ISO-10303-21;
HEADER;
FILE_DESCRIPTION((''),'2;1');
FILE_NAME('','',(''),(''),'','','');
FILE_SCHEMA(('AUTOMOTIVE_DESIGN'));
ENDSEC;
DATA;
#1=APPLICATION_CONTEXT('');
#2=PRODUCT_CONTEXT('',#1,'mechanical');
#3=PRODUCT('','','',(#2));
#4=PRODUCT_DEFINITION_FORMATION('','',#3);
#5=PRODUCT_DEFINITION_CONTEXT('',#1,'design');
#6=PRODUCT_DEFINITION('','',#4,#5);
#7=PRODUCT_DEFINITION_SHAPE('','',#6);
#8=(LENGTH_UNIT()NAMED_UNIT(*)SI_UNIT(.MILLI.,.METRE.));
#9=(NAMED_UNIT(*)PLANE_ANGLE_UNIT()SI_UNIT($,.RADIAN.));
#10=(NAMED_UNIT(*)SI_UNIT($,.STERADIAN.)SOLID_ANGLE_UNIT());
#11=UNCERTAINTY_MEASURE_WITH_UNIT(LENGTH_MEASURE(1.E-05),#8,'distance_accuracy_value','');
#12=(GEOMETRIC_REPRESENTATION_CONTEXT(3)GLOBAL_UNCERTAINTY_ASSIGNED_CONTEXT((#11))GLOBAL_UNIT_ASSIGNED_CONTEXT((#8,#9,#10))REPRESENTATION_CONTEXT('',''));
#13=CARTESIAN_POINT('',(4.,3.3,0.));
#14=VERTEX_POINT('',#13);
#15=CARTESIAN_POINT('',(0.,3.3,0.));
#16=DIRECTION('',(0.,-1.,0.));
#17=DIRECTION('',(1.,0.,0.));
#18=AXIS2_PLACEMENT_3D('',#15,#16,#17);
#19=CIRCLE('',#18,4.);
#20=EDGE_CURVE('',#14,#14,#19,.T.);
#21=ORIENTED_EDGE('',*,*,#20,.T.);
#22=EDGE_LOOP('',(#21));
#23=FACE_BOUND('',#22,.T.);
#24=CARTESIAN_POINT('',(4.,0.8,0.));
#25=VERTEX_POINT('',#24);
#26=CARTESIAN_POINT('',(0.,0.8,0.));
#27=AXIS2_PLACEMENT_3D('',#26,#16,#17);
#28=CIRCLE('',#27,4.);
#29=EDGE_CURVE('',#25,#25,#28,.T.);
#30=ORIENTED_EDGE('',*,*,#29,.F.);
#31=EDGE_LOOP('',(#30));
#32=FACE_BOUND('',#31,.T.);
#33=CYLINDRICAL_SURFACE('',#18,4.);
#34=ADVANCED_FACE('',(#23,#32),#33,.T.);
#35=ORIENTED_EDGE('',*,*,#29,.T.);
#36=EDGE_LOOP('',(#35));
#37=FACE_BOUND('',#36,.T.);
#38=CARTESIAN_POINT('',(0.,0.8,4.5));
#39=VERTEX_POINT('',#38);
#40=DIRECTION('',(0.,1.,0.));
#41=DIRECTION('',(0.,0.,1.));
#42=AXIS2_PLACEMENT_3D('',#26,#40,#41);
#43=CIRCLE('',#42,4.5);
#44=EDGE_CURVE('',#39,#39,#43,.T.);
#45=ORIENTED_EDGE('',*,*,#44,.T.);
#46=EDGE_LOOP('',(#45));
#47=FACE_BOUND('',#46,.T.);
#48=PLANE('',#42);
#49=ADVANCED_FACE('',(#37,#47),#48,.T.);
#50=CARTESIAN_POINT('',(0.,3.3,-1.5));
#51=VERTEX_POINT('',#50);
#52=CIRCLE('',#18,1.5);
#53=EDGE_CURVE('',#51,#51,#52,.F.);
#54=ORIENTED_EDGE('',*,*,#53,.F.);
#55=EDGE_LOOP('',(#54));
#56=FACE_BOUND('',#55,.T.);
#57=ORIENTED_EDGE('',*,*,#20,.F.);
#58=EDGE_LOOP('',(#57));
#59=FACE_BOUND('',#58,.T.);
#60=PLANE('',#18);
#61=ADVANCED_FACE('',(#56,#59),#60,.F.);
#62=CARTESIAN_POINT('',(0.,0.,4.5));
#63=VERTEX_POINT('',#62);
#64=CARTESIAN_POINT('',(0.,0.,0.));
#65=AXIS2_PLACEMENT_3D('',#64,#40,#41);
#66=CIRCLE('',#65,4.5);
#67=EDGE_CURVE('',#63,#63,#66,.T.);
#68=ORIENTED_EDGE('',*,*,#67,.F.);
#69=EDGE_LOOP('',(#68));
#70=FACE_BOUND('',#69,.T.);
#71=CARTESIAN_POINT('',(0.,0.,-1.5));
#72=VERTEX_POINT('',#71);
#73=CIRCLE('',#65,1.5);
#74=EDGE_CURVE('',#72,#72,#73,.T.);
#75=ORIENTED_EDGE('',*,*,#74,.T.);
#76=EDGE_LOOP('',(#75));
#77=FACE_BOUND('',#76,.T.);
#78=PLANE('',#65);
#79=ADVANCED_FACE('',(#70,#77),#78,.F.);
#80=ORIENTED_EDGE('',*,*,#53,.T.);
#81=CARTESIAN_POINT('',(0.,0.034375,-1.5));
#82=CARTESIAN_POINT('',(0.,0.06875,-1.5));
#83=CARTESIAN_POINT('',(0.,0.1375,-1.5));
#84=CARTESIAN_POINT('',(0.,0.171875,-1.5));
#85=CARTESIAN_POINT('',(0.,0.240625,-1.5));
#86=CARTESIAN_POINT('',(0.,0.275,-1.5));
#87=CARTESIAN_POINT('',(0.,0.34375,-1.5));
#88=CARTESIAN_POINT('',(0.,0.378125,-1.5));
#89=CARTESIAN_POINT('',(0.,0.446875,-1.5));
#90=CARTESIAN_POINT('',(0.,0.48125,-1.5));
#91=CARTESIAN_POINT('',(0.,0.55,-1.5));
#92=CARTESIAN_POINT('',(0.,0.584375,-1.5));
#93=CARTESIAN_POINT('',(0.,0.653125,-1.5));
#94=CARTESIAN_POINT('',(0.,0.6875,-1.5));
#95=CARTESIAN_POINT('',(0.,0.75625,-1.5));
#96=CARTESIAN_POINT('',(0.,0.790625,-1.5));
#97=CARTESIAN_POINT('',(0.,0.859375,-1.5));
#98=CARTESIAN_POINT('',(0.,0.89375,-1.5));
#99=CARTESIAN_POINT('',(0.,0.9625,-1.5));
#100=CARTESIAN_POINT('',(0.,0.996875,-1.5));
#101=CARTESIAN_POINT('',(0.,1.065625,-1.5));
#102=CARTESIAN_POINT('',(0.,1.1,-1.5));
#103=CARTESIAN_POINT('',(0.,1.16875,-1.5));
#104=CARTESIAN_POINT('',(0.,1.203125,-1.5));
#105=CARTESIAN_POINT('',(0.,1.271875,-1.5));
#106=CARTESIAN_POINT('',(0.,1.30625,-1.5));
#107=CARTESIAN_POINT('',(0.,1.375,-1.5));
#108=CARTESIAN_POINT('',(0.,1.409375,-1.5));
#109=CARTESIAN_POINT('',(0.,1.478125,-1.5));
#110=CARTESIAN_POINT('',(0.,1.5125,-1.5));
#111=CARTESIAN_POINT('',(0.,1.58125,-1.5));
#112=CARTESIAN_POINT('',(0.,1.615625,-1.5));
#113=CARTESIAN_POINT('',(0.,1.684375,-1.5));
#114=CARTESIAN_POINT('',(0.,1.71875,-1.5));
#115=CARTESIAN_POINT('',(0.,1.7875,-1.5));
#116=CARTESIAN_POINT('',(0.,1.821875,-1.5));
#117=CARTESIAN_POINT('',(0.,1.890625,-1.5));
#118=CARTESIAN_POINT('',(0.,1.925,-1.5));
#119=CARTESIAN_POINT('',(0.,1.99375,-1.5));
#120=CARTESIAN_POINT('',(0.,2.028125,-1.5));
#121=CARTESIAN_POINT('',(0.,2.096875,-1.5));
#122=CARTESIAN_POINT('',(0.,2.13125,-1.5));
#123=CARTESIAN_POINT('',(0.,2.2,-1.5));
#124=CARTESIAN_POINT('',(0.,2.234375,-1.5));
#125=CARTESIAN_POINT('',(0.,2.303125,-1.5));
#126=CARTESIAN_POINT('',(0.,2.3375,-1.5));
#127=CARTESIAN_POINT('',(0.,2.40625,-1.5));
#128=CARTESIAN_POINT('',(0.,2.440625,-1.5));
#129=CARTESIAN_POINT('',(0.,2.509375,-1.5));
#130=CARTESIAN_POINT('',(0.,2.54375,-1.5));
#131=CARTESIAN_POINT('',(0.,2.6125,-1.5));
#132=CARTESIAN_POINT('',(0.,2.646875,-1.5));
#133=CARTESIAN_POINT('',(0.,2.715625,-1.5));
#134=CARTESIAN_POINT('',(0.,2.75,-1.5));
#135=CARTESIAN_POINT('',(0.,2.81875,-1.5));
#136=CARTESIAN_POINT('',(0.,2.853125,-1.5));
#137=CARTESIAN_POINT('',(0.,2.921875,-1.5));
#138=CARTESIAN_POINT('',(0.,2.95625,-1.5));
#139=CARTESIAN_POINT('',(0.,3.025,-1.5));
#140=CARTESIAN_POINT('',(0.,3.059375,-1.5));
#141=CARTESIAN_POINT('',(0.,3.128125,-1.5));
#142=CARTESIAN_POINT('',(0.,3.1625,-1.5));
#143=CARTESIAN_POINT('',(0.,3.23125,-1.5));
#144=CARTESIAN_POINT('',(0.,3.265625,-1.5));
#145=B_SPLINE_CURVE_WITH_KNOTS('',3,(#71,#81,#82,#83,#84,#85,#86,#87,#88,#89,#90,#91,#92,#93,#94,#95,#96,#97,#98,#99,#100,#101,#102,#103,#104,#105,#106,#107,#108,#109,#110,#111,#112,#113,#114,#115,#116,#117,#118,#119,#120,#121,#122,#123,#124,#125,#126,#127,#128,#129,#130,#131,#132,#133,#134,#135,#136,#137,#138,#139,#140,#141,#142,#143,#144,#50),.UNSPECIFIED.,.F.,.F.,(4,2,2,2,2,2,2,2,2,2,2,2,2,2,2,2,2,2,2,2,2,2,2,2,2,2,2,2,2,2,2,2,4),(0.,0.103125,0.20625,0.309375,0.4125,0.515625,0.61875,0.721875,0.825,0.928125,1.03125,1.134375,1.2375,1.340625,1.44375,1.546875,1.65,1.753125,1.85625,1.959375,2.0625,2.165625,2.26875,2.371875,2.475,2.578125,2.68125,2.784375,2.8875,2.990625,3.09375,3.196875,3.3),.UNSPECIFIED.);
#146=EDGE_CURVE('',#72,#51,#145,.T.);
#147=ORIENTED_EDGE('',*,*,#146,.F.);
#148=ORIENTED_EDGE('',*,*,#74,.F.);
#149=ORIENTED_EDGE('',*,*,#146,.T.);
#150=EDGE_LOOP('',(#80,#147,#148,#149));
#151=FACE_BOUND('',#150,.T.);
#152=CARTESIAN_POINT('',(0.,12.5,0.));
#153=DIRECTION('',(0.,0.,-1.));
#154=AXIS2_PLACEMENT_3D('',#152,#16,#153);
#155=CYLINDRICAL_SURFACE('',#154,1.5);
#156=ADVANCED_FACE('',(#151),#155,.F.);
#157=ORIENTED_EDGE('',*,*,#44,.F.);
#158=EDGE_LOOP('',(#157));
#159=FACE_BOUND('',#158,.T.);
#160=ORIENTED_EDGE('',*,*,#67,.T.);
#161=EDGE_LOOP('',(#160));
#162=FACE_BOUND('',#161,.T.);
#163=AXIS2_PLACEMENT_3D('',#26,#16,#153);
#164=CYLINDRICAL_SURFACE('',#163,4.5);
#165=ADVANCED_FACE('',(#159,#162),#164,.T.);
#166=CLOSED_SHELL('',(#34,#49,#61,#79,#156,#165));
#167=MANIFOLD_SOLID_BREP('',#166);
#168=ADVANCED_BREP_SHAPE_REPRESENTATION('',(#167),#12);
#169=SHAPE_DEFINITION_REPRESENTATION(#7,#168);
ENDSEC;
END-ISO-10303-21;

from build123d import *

# Parameters (mm, degrees)
SKETCH1_R           = 4.5
BOSS_EXTRUDE1_DEPTH = 0.8
SKETCH2_R           = 4
BOSS_EXTRUDE2_DEPTH = 2.5
SKETCH3_R           = 1.5
CUT_EXTRUDE1_DEPTH  = 12.5


with BuildPart() as part:
    # Sketch1 → Boss-Extrude1 (new body)
    with BuildSketch(Plane(origin=(0, 0, 0), x_dir=(1, 0, 0), z_dir=(0, 1, 0))):
        with Locations(Location((0, 0, 0), (0, 0, 270))):
            Circle(SKETCH1_R)
    extrude(amount=BOSS_EXTRUDE1_DEPTH)

    # Sketch2 → Boss-Extrude2 (add)
    with BuildSketch(Plane(origin=(0, 0.8, 0), x_dir=(-1, 0, 0), z_dir=(0, -1, 0))):
        with Locations(Location((0, 0, 0), (0, 0, 180))):
            Circle(SKETCH2_R)
    extrude(amount=-BOSS_EXTRUDE2_DEPTH)

    # Sketch3 → Cut-Extrude1 (cut)
    with BuildSketch(Plane(origin=(0, 0, 0), x_dir=(1, 0, 0), z_dir=(0, 1, 0))):
        with Locations(Location((0, 0, 0), (0, 0, 90))):
            Circle(SKETCH3_R)
    extrude(amount=CUT_EXTRUDE1_DEPTH, mode=Mode.SUBTRACT)


solid = part.part
